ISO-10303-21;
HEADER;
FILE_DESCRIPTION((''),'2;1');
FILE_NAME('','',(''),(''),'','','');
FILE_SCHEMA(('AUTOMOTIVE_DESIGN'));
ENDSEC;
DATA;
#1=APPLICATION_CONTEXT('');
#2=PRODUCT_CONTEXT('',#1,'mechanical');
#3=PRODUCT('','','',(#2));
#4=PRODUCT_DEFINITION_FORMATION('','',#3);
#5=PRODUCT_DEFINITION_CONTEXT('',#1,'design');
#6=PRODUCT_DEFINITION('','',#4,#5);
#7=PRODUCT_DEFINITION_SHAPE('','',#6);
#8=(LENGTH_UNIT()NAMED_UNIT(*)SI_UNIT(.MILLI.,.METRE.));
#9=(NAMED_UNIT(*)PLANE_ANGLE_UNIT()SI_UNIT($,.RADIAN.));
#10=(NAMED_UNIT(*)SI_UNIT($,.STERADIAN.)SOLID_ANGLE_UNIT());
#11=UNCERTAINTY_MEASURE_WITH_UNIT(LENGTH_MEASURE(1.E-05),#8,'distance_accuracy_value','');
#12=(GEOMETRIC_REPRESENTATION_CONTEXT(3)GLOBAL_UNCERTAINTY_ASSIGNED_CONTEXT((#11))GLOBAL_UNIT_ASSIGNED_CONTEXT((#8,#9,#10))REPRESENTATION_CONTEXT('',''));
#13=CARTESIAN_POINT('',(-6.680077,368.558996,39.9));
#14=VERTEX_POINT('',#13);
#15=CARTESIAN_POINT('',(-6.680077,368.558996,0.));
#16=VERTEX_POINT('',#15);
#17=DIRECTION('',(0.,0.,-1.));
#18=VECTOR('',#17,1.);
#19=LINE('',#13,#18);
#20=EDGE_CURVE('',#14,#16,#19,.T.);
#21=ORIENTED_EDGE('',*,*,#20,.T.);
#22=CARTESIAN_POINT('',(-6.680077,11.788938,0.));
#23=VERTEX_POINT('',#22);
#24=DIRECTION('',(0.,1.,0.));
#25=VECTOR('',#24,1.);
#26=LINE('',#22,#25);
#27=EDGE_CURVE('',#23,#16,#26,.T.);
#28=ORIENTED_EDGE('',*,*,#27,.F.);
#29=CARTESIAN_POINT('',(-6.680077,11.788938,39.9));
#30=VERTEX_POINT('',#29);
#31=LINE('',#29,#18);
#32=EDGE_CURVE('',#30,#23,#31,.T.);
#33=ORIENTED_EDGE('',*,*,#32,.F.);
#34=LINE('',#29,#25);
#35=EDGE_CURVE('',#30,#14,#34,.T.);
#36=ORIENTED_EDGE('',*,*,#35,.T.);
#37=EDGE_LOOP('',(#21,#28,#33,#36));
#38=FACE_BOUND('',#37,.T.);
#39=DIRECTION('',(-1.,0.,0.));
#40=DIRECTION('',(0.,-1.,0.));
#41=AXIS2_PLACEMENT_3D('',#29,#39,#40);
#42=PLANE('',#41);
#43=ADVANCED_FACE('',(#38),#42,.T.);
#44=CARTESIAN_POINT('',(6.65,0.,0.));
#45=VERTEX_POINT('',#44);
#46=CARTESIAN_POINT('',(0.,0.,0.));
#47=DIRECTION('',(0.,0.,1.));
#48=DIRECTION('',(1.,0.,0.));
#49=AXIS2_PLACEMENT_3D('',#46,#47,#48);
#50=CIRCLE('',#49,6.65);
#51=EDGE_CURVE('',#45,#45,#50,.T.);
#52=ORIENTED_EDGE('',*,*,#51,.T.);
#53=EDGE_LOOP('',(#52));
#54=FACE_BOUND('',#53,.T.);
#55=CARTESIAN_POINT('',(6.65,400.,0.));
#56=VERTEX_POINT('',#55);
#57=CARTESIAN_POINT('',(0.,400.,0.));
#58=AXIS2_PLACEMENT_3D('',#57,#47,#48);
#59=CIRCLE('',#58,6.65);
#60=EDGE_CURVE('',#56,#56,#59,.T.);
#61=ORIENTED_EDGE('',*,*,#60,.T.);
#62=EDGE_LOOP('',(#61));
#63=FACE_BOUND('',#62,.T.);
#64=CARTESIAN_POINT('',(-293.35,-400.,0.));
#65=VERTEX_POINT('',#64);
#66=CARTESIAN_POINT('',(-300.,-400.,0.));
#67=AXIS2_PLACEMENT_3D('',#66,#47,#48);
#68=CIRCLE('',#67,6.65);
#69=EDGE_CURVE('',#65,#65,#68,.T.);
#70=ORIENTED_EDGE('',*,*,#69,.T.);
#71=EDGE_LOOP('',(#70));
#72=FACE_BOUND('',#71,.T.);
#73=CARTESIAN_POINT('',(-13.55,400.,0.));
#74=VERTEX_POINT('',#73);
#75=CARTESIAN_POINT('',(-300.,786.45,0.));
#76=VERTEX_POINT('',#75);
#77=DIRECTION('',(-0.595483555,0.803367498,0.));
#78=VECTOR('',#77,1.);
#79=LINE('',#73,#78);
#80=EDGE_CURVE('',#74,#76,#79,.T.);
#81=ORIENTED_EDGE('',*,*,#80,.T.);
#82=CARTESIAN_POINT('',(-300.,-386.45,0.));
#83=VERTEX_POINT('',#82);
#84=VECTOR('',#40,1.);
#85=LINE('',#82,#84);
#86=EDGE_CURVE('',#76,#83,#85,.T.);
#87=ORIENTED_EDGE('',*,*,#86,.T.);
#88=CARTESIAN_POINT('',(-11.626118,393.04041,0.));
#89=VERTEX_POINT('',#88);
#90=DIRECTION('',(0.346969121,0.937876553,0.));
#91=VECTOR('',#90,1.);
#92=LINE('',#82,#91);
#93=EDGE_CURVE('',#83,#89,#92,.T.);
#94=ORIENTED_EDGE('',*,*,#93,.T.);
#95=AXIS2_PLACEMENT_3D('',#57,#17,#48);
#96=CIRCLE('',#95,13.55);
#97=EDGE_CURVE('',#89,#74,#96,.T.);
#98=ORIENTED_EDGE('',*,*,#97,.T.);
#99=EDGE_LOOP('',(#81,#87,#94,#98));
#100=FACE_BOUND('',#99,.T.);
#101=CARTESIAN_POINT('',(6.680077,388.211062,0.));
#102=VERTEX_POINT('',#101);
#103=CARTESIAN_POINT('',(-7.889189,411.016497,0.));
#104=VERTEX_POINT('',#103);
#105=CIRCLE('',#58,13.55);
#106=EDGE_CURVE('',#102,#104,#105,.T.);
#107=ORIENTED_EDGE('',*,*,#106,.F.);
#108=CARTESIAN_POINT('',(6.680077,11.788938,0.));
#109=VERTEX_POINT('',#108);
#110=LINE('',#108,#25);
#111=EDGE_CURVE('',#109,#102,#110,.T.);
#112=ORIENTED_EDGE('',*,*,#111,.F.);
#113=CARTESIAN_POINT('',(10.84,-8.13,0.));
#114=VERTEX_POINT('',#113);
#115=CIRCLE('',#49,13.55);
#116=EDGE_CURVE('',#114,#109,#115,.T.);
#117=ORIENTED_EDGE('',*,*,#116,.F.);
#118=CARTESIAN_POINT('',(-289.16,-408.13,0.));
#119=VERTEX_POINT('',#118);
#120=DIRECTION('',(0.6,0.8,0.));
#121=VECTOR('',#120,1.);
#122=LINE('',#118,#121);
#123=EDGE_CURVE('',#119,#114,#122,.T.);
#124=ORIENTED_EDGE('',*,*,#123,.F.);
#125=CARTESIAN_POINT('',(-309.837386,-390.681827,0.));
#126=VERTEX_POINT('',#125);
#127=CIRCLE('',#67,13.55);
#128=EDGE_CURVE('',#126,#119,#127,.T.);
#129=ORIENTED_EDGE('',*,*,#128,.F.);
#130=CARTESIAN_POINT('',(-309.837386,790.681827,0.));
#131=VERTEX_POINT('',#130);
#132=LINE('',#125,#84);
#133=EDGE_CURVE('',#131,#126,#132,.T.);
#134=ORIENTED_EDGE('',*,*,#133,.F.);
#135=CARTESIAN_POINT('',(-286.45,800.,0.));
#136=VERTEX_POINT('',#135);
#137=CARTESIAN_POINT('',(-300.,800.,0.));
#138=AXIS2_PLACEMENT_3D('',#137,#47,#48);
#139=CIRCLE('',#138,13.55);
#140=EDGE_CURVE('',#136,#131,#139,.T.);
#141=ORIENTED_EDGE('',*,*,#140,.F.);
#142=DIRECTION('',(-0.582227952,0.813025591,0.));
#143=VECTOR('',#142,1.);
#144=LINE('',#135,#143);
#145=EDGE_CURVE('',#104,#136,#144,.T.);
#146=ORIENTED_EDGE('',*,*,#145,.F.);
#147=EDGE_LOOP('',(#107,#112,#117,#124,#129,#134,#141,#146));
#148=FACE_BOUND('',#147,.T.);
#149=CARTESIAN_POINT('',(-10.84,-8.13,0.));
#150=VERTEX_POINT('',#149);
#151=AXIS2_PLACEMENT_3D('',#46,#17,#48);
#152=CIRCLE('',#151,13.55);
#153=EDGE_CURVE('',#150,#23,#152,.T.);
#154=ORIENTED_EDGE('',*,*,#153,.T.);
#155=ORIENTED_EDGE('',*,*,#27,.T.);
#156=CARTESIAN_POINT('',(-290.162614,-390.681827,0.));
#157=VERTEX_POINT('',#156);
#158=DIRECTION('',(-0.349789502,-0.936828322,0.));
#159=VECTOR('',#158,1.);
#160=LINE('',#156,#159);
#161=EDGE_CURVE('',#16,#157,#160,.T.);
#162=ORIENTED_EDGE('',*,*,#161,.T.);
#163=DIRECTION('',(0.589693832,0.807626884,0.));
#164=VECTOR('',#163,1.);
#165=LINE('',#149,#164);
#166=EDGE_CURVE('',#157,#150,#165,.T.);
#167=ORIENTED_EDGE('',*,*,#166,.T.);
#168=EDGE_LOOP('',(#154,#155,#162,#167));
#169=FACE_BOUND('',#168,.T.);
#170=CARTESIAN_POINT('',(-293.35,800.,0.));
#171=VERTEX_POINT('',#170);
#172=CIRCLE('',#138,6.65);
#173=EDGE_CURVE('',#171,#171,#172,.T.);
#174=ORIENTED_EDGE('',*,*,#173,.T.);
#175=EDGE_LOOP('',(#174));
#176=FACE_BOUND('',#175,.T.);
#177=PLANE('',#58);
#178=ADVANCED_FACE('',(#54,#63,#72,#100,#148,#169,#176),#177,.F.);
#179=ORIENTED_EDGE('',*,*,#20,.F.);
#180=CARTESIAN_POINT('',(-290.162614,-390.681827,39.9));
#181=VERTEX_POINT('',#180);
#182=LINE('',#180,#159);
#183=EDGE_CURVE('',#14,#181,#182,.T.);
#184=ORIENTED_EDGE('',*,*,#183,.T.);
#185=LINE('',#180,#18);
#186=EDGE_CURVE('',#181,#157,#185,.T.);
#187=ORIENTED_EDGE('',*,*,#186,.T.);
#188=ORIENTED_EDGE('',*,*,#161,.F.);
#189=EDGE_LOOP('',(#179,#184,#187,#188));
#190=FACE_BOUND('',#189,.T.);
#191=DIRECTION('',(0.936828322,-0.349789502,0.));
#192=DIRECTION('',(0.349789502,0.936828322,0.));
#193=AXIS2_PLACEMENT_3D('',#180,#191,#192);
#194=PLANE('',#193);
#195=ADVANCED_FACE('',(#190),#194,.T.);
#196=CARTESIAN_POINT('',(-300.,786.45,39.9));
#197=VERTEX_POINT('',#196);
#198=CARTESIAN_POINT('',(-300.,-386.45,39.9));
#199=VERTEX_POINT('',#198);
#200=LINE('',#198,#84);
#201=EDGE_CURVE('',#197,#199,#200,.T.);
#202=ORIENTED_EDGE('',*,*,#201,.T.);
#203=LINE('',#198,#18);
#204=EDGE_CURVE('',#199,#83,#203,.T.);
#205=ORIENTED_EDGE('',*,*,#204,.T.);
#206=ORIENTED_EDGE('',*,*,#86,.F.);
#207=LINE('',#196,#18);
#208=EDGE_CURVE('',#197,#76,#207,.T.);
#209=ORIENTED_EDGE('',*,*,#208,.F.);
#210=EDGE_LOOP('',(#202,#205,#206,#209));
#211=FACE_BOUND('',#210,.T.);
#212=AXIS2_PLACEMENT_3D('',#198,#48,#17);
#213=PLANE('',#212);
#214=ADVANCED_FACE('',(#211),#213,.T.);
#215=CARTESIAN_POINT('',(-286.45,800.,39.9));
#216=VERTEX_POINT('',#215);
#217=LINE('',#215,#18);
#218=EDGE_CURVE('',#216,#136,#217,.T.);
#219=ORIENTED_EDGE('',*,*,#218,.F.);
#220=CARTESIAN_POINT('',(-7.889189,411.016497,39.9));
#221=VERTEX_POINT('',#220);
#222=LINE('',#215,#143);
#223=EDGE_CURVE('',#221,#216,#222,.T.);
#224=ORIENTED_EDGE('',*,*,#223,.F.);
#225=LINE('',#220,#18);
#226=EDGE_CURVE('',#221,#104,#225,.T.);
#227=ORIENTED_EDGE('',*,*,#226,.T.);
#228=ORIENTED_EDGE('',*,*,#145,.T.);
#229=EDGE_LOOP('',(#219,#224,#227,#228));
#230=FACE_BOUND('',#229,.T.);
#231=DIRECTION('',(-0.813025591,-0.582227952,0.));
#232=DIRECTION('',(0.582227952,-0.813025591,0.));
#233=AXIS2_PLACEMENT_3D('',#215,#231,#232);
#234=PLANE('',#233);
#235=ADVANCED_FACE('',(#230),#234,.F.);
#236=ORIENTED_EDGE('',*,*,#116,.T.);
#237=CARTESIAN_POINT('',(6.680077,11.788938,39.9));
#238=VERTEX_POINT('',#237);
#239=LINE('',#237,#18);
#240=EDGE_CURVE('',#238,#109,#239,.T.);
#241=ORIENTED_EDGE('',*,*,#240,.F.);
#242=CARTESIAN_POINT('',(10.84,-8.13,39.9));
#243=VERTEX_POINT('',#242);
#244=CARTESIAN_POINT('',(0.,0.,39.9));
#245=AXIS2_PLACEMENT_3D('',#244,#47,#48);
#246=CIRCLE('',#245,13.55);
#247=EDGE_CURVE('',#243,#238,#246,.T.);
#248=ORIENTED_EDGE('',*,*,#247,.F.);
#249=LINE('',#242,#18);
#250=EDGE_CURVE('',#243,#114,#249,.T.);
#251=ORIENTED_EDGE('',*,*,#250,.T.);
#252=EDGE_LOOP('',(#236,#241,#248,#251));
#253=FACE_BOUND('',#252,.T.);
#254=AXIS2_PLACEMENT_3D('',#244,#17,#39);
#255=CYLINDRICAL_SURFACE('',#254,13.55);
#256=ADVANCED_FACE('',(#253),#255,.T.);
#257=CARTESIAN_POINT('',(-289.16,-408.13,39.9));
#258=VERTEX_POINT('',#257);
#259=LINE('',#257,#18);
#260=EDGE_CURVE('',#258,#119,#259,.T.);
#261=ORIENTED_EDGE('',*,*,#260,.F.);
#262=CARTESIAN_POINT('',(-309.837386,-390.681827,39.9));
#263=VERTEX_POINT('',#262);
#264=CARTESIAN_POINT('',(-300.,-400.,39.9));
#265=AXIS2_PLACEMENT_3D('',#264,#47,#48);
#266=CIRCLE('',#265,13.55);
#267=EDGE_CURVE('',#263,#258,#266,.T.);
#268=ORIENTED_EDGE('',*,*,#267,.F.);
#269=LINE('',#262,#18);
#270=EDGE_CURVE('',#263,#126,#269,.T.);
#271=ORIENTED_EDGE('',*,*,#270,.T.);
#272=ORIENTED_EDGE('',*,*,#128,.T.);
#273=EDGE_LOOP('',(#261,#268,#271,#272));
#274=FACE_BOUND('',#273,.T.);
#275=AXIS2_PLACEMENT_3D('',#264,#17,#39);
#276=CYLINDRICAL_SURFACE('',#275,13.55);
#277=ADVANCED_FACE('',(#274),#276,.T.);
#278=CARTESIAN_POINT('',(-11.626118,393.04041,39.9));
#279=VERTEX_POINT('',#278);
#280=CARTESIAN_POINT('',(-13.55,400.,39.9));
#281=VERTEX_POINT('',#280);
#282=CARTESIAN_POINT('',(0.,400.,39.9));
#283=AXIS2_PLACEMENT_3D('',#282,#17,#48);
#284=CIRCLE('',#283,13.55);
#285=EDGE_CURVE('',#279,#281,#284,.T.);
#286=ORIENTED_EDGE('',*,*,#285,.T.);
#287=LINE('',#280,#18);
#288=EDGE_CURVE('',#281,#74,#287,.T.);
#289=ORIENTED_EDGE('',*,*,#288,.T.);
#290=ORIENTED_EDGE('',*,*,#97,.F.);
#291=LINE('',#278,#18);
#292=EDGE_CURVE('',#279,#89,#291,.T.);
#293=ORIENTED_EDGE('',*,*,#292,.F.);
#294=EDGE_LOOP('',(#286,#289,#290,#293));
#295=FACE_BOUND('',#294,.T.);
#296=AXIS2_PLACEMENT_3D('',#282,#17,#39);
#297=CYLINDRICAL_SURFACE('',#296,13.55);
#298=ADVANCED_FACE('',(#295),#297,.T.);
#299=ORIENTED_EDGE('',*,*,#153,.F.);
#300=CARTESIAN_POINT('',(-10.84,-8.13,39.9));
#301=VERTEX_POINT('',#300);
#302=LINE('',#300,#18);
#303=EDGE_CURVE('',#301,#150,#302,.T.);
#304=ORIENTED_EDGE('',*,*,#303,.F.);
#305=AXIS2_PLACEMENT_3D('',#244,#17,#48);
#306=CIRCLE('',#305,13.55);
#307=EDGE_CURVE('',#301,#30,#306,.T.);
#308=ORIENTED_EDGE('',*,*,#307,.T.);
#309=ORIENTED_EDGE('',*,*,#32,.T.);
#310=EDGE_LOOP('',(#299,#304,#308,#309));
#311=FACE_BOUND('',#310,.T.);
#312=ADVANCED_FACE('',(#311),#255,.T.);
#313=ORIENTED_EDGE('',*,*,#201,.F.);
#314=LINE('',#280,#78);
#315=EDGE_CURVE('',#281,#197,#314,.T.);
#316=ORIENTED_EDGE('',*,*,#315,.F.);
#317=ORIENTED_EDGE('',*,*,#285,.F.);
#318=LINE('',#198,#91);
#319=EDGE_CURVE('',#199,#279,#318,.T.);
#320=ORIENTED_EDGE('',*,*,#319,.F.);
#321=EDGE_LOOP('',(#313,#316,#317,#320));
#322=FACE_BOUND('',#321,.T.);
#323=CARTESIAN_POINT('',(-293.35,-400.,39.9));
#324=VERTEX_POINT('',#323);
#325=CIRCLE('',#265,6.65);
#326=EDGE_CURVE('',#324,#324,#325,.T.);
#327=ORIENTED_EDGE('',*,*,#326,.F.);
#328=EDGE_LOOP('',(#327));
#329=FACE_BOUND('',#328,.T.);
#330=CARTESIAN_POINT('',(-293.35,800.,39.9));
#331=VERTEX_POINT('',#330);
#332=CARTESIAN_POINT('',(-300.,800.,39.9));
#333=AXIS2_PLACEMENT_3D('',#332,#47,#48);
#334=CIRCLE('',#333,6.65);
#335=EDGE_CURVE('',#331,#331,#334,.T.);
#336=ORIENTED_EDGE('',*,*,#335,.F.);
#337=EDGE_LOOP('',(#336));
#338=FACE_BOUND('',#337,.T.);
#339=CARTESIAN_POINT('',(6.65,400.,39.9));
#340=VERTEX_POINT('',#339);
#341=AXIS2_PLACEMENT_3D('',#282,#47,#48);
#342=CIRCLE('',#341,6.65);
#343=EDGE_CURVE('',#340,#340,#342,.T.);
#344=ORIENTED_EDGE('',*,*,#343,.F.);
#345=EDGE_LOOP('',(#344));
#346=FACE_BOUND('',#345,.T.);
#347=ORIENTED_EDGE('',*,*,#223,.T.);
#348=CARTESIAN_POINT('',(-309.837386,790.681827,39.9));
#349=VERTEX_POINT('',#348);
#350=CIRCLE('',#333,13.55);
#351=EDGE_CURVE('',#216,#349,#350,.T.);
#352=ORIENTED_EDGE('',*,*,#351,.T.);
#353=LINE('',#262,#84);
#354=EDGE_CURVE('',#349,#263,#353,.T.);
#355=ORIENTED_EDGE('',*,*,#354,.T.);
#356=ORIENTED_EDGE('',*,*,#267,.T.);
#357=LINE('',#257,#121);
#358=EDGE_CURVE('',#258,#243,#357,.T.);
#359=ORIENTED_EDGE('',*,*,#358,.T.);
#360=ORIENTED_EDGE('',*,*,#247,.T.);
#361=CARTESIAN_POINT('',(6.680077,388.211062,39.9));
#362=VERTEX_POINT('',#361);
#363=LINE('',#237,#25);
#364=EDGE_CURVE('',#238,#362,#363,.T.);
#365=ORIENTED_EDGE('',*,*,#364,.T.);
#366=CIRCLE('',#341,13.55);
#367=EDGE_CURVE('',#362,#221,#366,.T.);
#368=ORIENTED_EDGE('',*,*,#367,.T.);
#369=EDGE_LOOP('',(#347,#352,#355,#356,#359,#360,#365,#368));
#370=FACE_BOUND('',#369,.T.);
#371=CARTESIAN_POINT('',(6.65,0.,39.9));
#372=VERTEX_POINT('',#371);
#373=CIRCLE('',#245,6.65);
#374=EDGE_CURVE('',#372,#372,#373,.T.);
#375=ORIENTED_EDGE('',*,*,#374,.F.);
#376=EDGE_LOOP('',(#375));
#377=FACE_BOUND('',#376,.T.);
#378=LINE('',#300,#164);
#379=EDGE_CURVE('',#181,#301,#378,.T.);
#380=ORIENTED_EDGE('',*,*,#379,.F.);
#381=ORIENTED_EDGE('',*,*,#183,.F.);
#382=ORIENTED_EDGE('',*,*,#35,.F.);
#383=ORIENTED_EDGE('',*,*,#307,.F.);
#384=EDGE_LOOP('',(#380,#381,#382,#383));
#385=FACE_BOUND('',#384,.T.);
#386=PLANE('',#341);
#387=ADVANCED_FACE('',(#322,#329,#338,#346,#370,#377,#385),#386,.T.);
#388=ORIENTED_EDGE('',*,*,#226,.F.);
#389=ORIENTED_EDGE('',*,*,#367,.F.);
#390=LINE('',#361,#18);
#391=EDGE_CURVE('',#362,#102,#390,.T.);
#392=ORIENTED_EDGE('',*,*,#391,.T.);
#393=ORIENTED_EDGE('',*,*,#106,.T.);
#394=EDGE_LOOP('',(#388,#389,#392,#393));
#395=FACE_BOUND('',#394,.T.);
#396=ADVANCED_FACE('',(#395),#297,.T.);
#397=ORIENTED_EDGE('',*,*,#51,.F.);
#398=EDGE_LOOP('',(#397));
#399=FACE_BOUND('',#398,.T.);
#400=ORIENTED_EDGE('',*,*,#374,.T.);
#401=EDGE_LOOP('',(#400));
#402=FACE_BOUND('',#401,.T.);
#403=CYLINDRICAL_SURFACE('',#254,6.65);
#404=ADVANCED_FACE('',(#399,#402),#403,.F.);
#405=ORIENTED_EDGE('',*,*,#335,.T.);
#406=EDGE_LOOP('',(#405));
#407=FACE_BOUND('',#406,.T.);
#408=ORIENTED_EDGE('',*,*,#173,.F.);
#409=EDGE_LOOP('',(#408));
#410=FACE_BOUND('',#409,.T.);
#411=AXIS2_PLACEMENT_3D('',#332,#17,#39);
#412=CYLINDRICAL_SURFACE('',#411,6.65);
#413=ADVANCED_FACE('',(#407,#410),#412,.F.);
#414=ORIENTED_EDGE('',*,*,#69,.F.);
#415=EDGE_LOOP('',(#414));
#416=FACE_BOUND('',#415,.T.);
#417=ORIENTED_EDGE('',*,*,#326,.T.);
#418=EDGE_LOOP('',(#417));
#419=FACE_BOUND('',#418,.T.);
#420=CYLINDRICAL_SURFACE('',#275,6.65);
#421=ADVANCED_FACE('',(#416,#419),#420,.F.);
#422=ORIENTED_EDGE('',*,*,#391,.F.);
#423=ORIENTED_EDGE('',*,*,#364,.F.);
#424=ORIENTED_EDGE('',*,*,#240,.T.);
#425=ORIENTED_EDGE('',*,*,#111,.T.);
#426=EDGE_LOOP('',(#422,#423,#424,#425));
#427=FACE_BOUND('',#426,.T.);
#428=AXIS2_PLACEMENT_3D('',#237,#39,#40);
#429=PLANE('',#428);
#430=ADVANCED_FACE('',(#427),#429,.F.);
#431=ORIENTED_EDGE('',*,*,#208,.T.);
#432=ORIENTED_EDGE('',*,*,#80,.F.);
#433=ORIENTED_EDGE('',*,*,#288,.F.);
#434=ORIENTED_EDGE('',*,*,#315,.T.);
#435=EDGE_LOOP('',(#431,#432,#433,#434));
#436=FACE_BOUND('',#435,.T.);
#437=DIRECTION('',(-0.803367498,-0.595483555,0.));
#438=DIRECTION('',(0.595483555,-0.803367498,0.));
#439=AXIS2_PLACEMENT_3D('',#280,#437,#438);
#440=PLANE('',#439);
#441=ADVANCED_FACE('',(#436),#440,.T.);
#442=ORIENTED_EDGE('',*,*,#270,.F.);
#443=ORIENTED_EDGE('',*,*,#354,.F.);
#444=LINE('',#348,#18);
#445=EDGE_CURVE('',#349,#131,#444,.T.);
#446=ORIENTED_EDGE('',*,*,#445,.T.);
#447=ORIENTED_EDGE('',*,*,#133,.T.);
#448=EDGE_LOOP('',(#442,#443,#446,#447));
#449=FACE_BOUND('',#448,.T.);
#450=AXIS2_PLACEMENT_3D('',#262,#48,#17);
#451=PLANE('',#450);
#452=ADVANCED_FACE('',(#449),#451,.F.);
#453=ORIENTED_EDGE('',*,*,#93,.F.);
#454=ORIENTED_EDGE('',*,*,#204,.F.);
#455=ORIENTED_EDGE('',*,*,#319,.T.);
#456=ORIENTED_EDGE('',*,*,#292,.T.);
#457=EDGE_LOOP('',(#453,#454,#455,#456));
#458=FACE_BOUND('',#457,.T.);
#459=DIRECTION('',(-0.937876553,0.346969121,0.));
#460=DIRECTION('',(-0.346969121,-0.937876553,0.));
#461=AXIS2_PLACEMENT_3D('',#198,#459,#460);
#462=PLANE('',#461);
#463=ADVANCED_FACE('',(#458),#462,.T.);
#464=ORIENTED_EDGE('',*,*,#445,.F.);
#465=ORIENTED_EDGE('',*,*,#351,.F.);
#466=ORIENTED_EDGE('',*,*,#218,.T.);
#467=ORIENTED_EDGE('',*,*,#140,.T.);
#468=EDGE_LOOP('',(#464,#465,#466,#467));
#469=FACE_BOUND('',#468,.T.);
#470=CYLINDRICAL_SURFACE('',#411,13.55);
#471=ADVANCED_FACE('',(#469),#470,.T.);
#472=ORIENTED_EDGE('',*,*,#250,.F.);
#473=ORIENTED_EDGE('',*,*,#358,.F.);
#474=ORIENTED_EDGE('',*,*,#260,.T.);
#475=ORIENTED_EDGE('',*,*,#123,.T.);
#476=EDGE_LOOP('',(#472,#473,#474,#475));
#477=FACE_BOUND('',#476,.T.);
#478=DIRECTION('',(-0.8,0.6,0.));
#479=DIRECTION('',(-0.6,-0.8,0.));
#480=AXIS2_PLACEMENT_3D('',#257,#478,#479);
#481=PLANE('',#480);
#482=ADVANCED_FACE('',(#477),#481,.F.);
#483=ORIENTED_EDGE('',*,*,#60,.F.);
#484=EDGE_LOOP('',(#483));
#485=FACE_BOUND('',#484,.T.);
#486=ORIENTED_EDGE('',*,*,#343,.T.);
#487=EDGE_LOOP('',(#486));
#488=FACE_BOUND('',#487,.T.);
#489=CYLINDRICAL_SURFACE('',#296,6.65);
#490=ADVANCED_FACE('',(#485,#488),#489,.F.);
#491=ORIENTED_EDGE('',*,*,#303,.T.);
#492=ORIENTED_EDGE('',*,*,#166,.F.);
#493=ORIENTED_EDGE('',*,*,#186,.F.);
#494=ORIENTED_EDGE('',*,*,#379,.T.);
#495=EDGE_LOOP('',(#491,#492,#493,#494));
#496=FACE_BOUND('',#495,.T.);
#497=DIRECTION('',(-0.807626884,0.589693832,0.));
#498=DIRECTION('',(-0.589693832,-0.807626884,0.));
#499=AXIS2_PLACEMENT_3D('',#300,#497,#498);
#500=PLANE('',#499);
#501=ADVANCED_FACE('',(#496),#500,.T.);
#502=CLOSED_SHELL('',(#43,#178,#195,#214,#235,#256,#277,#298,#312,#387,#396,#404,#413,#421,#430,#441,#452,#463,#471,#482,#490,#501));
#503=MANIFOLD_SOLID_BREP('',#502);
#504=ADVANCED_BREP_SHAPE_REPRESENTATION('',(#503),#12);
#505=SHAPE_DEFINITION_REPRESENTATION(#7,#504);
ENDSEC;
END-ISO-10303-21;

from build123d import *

# Parameters (mm, degrees)
SKETCH9_R           = 6.65
BOSS_EXTRUDE1_DEPTH = 39.9


with BuildPart() as part:
    # Sketch9 → Boss-Extrude1 (new body)
    with BuildSketch(Plane(origin=(0, 0, 0), x_dir=(0, 1, 0), z_dir=(0, 0, 1))):
        with BuildLine():
            Line((800, 286.45), (411.016496764, 7.889188745))
            ThreePointArc((411.016496764, 7.889188745), (407.294864157, -11.41873272), (388.21106152, -6.680077058))
            Line((388.21106152, -6.680077058), (11.78893848, -6.680077058))
            ThreePointArc((11.78893848, -6.680077058), (2.770053686, -13.263834384), (-8.13, -10.84))
            Line((-8.13, -10.84), (-408.13, 289.16))
            ThreePointArc((-408.13, 289.16), (-410.355747525, 308.738477739), (-390.681827116, 309.837385532))
            Line((-390.681827116, 309.837385532), (790.681827116, 309.837385532))
            ThreePointArc((790.681827116, 309.837385532), (812.58767401, 305.015272976), (800, 286.45))
        make_face()
        with Locations(Location((-400, 300, 0), (0, 0, 270))):
            Circle(SKETCH9_R, mode=Mode.SUBTRACT)
        with Locations(Location((0, 0, 0), (0, 0, 270))):
            Circle(SKETCH9_R, mode=Mode.SUBTRACT)
        with Locations(Location((400, 0, 0), (0, 0, 270))):
            Circle(SKETCH9_R, mode=Mode.SUBTRACT)
        with Locations(Location((800, 300, 0), (0, 0, 270))):
            Circle(SKETCH9_R, mode=Mode.SUBTRACT)
        with BuildLine():
            Line((-386.45, 300), (393.040410471, 11.626117735))
            ThreePointArc((393.040410471, 11.626117735), (396.389694979, 13.060176019), (400, 13.55))
            Line((400, 13.55), (786.45, 300))
            Line((786.45, 300), (-386.45, 300))
        make_face(mode=Mode.SUBTRACT)
        with BuildLine():
            Line((-390.681827116, 290.162614468), (368.558996023, 6.680077058))
            Line((368.558996023, 6.680077058), (11.78893848, 6.680077058))
            ThreePointArc((11.78893848, 6.680077058), (2.770053686, 13.263834384), (-8.13, 10.84))
            Line((-8.13, 10.84), (-390.681827116, 290.162614468))
        make_face(mode=Mode.SUBTRACT)
    extrude(amount=BOSS_EXTRUDE1_DEPTH)


solid = part.part
